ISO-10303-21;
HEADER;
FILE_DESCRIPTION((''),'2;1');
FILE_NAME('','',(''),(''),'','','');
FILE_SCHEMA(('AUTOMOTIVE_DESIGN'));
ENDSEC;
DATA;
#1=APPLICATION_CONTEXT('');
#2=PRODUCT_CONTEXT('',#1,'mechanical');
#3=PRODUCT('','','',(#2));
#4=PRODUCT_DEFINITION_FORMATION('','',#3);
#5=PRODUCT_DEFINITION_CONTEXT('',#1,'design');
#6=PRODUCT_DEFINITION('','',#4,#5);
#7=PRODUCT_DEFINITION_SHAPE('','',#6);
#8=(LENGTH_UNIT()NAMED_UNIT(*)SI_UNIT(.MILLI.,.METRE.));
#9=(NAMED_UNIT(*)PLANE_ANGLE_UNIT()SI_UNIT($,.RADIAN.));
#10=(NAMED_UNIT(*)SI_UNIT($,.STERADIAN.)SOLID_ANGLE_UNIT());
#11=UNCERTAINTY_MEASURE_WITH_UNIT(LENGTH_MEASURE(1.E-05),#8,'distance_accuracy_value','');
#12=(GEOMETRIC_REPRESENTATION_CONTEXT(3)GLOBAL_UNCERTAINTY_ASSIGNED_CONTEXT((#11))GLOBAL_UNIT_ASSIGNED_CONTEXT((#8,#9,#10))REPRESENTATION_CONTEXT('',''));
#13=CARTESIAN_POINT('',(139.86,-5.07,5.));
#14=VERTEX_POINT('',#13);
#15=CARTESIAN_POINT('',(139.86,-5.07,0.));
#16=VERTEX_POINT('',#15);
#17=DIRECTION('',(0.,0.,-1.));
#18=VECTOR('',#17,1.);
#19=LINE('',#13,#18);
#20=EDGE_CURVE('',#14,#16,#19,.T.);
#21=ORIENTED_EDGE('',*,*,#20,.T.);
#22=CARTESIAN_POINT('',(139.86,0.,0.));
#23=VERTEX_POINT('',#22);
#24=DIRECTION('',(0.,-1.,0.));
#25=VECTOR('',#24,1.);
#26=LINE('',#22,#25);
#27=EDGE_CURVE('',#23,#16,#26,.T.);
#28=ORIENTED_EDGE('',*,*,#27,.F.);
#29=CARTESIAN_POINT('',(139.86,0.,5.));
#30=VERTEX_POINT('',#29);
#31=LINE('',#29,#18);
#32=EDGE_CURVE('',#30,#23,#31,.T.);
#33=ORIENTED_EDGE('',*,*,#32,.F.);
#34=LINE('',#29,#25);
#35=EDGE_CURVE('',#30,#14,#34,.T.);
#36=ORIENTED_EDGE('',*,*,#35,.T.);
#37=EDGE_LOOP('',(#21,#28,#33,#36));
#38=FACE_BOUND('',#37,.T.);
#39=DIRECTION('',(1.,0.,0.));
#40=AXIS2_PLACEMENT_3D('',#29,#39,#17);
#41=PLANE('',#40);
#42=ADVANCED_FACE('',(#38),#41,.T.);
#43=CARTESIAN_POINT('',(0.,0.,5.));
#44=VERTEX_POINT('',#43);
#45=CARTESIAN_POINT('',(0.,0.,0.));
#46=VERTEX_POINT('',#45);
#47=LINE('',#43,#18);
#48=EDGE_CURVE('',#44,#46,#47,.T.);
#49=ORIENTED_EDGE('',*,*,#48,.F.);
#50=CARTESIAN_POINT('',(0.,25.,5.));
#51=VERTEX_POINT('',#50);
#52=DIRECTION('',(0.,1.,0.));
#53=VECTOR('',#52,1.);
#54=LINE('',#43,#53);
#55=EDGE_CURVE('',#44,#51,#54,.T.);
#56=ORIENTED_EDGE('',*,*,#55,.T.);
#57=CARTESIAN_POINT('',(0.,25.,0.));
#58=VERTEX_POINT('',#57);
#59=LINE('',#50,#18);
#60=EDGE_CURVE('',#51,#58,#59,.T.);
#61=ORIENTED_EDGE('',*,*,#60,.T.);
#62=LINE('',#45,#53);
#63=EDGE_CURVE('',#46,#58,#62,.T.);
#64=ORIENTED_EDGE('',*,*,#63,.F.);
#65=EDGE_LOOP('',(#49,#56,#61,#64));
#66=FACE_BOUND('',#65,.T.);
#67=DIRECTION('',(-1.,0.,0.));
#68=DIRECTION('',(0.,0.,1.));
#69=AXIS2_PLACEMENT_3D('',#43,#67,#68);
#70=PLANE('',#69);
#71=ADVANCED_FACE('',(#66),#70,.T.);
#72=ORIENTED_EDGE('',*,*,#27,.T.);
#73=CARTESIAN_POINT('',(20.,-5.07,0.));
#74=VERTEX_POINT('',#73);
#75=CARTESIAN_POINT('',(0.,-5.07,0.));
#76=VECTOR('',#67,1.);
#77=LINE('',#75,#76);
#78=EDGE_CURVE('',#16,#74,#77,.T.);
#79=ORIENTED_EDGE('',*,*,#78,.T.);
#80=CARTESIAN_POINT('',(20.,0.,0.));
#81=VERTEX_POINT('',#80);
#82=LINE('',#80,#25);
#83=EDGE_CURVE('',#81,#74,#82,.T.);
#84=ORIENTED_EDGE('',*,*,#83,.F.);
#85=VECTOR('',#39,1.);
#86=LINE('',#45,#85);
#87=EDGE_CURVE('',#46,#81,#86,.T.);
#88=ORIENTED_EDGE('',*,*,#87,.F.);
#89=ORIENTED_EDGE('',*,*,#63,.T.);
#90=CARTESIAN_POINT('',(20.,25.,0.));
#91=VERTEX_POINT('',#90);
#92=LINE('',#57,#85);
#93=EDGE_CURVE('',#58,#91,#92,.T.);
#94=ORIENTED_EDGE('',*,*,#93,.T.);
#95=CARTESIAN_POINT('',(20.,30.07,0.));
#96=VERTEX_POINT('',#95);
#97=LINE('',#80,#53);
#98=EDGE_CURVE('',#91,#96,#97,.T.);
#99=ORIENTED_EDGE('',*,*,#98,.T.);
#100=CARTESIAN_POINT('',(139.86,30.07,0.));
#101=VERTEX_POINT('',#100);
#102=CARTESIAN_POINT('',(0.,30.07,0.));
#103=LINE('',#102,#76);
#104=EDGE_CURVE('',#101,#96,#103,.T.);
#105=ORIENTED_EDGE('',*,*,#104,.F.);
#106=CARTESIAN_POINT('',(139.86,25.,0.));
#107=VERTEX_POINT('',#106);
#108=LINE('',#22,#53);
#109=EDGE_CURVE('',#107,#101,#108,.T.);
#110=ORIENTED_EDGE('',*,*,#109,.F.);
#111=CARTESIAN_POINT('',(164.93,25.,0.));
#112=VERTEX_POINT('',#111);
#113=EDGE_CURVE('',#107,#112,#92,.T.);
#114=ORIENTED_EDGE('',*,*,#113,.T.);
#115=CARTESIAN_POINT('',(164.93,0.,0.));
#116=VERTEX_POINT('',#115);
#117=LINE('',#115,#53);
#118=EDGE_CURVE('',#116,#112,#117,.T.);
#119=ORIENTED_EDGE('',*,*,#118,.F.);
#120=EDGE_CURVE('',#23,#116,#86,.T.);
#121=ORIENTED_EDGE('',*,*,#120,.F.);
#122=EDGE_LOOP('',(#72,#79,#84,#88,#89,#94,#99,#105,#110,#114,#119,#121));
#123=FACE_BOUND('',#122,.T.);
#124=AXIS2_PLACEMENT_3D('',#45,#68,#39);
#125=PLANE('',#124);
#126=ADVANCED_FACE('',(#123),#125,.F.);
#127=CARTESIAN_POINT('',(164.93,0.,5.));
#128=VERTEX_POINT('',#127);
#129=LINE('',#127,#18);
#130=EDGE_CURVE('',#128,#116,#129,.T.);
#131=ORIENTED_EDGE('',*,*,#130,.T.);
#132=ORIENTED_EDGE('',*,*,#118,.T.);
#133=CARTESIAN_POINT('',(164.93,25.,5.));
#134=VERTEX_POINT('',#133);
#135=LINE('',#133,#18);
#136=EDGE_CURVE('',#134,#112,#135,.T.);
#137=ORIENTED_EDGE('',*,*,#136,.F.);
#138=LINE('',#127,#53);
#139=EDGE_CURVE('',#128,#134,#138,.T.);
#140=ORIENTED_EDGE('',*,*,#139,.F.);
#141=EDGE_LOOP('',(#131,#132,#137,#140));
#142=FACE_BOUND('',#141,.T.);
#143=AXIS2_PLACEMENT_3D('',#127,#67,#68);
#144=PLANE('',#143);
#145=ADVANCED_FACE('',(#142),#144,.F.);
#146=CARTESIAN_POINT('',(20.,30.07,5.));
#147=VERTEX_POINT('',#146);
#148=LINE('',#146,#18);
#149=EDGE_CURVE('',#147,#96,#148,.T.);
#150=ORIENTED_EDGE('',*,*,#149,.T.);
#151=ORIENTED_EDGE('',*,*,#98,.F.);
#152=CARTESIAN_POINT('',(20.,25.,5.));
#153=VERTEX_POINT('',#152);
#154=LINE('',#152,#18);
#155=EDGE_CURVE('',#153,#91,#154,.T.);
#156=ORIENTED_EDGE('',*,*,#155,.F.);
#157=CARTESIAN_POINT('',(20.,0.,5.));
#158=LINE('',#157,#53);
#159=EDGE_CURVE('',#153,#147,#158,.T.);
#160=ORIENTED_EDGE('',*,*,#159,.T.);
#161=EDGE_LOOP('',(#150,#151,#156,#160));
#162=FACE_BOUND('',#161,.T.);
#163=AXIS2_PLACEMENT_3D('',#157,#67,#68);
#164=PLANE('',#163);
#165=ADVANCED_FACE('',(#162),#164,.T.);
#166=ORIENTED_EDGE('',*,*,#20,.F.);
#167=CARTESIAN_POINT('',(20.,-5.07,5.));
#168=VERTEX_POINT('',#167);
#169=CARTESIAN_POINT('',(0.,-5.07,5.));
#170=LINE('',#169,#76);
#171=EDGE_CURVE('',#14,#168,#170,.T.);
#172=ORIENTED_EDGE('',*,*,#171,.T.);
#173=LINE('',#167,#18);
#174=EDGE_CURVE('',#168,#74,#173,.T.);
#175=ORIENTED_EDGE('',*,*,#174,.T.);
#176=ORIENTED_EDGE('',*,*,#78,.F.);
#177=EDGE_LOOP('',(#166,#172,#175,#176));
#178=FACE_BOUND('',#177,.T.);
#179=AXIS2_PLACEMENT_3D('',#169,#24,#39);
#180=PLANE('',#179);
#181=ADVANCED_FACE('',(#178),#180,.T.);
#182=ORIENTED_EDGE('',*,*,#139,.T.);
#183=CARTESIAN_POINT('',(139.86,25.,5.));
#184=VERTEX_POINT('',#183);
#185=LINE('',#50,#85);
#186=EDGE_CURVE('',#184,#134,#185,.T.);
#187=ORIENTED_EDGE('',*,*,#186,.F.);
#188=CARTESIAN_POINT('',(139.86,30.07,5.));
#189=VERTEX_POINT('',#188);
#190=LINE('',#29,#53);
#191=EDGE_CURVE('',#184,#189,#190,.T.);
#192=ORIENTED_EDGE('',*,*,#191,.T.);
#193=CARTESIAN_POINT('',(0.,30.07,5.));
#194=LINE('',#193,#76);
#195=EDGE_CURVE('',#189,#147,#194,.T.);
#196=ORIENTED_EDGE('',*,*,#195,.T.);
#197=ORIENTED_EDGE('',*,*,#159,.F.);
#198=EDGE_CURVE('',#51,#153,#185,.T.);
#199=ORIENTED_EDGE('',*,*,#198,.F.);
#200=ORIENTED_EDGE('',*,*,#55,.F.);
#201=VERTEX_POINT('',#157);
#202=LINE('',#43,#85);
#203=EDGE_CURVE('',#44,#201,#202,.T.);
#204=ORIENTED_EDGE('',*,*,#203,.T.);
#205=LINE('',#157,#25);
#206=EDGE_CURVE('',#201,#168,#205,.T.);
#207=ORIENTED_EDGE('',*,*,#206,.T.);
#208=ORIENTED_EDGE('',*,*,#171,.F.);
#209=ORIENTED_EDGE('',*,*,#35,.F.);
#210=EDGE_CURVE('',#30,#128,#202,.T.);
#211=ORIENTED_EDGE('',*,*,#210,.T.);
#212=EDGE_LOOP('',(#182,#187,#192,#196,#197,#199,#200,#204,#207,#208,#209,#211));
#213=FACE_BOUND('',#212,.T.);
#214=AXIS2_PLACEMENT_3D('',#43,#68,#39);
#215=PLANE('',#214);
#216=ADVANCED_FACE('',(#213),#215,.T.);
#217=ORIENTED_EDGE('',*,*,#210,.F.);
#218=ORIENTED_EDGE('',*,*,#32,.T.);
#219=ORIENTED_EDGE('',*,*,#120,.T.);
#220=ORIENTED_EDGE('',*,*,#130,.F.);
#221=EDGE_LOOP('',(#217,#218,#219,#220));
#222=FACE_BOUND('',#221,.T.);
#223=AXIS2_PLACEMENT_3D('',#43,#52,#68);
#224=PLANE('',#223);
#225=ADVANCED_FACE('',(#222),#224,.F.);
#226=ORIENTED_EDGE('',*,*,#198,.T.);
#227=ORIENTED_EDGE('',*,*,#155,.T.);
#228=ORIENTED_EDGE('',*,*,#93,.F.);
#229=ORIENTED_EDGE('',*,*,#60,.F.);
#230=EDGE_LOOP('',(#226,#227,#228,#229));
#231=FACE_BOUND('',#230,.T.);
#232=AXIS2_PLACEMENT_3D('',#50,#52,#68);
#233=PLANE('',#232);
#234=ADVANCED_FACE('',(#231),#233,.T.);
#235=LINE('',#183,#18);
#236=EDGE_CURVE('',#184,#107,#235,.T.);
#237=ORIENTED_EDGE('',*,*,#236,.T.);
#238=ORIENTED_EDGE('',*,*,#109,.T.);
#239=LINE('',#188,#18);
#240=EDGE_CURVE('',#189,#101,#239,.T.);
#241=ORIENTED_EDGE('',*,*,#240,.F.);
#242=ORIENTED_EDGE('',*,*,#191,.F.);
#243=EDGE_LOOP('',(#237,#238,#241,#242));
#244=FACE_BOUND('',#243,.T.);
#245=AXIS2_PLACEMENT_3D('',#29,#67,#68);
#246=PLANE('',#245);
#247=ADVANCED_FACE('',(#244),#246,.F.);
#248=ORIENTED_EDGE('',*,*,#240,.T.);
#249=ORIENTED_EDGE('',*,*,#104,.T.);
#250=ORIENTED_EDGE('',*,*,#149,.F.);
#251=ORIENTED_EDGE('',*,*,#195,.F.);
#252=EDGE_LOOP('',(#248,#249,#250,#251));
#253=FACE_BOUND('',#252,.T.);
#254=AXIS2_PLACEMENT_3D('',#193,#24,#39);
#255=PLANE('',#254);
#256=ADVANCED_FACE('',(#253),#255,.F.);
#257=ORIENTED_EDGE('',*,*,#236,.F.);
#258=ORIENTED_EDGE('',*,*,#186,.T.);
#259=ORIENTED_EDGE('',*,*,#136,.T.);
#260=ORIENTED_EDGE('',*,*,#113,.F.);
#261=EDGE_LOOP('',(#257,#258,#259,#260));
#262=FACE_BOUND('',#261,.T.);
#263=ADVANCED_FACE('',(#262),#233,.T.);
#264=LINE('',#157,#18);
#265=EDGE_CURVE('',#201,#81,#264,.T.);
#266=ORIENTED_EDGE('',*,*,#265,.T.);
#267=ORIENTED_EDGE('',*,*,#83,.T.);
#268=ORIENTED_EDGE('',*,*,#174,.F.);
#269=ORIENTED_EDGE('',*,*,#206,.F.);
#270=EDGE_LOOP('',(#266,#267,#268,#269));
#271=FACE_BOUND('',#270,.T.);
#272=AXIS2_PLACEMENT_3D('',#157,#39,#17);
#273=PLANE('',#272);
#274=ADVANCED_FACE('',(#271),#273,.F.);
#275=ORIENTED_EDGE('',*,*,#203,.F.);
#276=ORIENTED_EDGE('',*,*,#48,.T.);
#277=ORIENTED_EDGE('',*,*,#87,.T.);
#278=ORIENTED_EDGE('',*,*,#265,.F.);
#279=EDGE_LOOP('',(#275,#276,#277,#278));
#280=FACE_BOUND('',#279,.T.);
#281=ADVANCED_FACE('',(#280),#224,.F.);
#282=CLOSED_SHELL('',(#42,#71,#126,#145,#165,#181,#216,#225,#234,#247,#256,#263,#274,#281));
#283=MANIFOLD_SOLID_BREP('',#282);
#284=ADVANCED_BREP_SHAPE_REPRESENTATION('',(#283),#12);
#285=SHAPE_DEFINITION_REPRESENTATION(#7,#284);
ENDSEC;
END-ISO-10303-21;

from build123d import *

# Parameters (mm, degrees)
SKETCH_1_W      = 164.93
SKETCH_1_H      = 25
SKETCH_1_W_2    = 119.86
SKETCH_1_H_2    = 5.07
EXTRUDE_1_DEPTH = 5


with BuildPart() as part:
    # ｽｹｯﾁ1 → ﾎﾞｽ - 押し出し1 (new body)
    with BuildSketch(Plane.XY):
        with Locations((82.465, 12.5)):
            Rectangle(SKETCH_1_W, SKETCH_1_H)
        with Locations((79.93, 27.535)):
            Rectangle(SKETCH_1_W_2, SKETCH_1_H_2)
        with Locations((79.93, -2.535)):
            Rectangle(SKETCH_1_W_2, SKETCH_1_H_2)
    extrude(amount=EXTRUDE_1_DEPTH)


solid = part.part
